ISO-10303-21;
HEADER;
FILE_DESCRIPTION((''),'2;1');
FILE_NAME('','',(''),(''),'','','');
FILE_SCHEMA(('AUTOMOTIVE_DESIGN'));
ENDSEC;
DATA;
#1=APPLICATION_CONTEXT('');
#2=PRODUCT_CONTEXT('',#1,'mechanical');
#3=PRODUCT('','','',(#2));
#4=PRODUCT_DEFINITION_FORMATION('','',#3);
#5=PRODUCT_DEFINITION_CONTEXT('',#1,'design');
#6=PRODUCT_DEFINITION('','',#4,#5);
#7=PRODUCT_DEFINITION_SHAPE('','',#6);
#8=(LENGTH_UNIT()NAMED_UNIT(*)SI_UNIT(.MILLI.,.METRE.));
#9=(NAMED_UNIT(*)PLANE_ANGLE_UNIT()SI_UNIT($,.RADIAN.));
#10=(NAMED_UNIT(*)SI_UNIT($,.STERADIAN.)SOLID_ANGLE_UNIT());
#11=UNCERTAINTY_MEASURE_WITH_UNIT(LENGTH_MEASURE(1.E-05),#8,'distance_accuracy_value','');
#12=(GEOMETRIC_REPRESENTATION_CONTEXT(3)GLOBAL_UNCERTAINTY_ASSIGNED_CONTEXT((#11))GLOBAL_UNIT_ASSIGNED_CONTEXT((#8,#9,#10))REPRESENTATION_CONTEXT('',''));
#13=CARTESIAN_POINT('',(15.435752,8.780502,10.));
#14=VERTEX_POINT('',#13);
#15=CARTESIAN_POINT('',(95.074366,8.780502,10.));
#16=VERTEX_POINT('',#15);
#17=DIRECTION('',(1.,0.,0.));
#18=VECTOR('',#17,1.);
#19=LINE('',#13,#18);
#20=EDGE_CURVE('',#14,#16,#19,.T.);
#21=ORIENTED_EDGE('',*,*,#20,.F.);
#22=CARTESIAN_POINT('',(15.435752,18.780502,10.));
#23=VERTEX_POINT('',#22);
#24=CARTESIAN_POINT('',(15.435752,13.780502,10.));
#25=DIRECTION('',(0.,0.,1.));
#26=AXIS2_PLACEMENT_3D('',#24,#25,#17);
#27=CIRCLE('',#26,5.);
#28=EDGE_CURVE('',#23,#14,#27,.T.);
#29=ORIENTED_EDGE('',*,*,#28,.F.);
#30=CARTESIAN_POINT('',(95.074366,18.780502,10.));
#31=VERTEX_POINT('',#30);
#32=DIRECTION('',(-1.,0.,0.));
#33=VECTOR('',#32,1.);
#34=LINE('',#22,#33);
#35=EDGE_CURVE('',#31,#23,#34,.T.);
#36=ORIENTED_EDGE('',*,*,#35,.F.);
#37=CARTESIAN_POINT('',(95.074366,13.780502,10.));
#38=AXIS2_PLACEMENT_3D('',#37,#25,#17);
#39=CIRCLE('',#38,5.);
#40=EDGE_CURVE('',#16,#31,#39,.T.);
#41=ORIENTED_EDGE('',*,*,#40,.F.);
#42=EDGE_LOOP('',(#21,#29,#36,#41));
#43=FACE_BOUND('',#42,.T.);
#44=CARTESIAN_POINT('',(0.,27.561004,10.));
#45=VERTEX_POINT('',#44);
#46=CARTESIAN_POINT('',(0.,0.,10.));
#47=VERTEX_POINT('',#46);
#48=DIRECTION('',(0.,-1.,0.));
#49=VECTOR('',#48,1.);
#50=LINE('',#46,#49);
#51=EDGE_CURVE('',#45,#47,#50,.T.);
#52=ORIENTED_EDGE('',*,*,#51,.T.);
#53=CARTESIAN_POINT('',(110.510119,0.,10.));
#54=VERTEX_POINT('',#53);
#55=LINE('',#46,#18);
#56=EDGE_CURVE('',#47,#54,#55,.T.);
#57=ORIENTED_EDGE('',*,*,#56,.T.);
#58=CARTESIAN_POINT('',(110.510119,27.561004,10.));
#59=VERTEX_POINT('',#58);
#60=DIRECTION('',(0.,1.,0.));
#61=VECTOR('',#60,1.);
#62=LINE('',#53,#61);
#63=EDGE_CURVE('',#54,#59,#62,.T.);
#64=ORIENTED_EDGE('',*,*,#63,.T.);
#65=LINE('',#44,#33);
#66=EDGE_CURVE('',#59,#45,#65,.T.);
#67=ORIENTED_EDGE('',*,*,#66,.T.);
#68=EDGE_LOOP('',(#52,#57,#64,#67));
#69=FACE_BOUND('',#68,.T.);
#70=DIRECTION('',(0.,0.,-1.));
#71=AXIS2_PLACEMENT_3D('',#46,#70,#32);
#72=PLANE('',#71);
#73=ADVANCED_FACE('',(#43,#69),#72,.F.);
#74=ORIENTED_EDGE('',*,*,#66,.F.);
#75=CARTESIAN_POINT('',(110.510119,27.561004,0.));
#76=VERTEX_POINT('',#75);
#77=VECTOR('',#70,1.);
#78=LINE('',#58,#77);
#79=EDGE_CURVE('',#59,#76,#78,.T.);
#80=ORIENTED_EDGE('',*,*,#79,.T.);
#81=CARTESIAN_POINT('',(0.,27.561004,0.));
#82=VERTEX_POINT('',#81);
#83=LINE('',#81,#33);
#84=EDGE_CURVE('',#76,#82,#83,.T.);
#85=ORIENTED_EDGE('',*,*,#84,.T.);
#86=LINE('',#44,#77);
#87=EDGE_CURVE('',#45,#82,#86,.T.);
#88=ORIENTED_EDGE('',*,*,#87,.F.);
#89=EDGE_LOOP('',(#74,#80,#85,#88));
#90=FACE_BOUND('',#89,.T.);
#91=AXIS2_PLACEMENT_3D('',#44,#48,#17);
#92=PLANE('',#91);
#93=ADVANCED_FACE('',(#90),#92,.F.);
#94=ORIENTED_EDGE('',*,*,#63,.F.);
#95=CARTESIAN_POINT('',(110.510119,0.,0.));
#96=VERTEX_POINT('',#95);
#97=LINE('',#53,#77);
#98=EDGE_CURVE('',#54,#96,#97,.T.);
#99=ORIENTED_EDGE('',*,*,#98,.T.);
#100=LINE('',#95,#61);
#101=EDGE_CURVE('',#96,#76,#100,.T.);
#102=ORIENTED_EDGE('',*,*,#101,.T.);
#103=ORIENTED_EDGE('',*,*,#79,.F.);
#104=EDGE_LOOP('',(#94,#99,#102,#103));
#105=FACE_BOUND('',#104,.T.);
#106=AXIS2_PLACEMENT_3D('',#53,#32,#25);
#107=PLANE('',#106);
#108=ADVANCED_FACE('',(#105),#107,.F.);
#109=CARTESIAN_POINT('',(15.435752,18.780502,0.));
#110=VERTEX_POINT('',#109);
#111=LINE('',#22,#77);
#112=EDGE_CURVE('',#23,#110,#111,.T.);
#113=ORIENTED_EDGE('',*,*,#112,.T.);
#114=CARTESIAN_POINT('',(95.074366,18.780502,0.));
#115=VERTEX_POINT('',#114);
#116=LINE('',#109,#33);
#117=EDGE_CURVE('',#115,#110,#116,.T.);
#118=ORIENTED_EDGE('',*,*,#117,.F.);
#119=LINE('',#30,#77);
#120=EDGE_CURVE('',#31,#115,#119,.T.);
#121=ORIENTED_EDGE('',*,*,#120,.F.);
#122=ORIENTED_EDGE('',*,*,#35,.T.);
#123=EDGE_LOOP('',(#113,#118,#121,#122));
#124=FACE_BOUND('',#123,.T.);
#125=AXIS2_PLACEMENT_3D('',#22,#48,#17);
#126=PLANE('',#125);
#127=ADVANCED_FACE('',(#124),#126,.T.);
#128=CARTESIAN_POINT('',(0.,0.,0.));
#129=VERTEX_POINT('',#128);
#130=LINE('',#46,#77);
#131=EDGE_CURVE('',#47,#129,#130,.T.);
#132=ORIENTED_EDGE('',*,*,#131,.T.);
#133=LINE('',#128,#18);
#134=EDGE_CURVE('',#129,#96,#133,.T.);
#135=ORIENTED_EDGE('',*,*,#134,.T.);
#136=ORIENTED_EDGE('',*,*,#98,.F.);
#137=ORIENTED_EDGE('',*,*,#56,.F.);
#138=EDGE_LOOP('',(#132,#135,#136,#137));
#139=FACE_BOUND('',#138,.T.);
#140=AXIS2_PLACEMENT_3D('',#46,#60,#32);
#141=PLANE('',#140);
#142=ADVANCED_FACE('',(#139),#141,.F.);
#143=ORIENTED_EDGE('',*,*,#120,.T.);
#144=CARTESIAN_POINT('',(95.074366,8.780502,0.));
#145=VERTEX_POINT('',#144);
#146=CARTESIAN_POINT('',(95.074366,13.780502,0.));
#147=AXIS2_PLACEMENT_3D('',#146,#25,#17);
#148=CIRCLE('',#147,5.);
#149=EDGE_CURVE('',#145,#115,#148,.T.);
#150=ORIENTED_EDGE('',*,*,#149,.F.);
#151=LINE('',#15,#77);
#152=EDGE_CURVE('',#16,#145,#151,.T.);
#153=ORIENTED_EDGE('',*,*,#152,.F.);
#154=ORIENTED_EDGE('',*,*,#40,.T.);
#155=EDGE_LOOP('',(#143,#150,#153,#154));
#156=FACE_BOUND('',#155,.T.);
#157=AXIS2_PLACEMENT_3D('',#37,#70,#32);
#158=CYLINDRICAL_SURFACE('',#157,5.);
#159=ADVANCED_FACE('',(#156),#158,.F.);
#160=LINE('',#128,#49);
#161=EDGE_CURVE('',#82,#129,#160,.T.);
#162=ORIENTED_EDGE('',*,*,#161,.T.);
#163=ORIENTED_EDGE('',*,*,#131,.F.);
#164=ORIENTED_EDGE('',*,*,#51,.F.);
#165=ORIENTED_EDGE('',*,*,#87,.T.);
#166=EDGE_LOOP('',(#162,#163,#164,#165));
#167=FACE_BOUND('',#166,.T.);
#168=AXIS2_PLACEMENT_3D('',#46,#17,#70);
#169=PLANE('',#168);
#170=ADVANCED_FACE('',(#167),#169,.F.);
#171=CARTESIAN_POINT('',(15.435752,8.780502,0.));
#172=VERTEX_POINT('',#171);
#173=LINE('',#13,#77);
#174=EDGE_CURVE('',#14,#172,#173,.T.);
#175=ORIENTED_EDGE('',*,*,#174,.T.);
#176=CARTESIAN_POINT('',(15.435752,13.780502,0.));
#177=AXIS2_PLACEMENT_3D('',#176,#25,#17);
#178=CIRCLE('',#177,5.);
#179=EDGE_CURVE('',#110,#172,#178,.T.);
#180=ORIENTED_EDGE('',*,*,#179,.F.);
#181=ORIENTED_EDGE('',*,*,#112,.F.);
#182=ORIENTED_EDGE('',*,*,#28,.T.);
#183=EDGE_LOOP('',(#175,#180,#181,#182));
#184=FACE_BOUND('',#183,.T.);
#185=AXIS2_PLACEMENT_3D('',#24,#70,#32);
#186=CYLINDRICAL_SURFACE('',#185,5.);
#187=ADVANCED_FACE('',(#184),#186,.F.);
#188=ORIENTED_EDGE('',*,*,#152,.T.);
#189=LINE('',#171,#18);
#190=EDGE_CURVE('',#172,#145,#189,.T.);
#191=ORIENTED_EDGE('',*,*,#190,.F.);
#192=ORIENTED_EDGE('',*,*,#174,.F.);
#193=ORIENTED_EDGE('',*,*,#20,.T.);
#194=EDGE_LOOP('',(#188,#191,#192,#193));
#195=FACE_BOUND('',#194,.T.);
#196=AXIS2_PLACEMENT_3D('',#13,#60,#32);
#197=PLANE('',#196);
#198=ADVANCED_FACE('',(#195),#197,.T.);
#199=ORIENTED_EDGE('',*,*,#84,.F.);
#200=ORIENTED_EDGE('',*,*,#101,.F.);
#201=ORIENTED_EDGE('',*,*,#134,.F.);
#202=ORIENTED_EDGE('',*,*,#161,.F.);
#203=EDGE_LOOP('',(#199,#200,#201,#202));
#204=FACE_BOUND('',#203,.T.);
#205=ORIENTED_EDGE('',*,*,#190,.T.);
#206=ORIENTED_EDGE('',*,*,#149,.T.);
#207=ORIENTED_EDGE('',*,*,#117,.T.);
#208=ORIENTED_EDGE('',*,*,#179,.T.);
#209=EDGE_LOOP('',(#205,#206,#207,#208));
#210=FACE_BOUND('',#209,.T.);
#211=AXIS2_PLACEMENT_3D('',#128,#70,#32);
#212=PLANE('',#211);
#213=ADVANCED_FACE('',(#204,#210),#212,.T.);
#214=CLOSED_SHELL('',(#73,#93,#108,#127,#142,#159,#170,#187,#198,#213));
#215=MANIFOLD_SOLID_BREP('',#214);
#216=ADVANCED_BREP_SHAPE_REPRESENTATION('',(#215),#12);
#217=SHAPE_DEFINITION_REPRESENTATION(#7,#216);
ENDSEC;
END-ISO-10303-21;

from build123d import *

# Parameters (mm, degrees)
SKETCH1_W           = 110.510118672
SKETCH1_H           = 27.56100364
BOSS_EXTRUDE1_DEPTH = 10


with BuildPart() as part:
    # Sketch1 → Boss-Extrude1 (new body)
    with BuildSketch(Plane.XY):
        with Locations((55.255059336, 13.78050182)):
            Rectangle(SKETCH1_W, SKETCH1_H)
        with BuildLine():
            Line((15.435752348, 18.78050182), (95.074366324, 18.78050182))
            ThreePointArc((95.074366324, 18.78050182), (100.074366324, 13.78050182), (95.074366324, 8.78050182))
            Line((95.074366324, 8.78050182), (15.435752348, 8.78050182))
            ThreePointArc((15.435752348, 8.78050182), (10.435752348, 13.78050182), (15.435752348, 18.78050182))
        make_face(mode=Mode.SUBTRACT)
    extrude(amount=BOSS_EXTRUDE1_DEPTH)


solid = part.part
